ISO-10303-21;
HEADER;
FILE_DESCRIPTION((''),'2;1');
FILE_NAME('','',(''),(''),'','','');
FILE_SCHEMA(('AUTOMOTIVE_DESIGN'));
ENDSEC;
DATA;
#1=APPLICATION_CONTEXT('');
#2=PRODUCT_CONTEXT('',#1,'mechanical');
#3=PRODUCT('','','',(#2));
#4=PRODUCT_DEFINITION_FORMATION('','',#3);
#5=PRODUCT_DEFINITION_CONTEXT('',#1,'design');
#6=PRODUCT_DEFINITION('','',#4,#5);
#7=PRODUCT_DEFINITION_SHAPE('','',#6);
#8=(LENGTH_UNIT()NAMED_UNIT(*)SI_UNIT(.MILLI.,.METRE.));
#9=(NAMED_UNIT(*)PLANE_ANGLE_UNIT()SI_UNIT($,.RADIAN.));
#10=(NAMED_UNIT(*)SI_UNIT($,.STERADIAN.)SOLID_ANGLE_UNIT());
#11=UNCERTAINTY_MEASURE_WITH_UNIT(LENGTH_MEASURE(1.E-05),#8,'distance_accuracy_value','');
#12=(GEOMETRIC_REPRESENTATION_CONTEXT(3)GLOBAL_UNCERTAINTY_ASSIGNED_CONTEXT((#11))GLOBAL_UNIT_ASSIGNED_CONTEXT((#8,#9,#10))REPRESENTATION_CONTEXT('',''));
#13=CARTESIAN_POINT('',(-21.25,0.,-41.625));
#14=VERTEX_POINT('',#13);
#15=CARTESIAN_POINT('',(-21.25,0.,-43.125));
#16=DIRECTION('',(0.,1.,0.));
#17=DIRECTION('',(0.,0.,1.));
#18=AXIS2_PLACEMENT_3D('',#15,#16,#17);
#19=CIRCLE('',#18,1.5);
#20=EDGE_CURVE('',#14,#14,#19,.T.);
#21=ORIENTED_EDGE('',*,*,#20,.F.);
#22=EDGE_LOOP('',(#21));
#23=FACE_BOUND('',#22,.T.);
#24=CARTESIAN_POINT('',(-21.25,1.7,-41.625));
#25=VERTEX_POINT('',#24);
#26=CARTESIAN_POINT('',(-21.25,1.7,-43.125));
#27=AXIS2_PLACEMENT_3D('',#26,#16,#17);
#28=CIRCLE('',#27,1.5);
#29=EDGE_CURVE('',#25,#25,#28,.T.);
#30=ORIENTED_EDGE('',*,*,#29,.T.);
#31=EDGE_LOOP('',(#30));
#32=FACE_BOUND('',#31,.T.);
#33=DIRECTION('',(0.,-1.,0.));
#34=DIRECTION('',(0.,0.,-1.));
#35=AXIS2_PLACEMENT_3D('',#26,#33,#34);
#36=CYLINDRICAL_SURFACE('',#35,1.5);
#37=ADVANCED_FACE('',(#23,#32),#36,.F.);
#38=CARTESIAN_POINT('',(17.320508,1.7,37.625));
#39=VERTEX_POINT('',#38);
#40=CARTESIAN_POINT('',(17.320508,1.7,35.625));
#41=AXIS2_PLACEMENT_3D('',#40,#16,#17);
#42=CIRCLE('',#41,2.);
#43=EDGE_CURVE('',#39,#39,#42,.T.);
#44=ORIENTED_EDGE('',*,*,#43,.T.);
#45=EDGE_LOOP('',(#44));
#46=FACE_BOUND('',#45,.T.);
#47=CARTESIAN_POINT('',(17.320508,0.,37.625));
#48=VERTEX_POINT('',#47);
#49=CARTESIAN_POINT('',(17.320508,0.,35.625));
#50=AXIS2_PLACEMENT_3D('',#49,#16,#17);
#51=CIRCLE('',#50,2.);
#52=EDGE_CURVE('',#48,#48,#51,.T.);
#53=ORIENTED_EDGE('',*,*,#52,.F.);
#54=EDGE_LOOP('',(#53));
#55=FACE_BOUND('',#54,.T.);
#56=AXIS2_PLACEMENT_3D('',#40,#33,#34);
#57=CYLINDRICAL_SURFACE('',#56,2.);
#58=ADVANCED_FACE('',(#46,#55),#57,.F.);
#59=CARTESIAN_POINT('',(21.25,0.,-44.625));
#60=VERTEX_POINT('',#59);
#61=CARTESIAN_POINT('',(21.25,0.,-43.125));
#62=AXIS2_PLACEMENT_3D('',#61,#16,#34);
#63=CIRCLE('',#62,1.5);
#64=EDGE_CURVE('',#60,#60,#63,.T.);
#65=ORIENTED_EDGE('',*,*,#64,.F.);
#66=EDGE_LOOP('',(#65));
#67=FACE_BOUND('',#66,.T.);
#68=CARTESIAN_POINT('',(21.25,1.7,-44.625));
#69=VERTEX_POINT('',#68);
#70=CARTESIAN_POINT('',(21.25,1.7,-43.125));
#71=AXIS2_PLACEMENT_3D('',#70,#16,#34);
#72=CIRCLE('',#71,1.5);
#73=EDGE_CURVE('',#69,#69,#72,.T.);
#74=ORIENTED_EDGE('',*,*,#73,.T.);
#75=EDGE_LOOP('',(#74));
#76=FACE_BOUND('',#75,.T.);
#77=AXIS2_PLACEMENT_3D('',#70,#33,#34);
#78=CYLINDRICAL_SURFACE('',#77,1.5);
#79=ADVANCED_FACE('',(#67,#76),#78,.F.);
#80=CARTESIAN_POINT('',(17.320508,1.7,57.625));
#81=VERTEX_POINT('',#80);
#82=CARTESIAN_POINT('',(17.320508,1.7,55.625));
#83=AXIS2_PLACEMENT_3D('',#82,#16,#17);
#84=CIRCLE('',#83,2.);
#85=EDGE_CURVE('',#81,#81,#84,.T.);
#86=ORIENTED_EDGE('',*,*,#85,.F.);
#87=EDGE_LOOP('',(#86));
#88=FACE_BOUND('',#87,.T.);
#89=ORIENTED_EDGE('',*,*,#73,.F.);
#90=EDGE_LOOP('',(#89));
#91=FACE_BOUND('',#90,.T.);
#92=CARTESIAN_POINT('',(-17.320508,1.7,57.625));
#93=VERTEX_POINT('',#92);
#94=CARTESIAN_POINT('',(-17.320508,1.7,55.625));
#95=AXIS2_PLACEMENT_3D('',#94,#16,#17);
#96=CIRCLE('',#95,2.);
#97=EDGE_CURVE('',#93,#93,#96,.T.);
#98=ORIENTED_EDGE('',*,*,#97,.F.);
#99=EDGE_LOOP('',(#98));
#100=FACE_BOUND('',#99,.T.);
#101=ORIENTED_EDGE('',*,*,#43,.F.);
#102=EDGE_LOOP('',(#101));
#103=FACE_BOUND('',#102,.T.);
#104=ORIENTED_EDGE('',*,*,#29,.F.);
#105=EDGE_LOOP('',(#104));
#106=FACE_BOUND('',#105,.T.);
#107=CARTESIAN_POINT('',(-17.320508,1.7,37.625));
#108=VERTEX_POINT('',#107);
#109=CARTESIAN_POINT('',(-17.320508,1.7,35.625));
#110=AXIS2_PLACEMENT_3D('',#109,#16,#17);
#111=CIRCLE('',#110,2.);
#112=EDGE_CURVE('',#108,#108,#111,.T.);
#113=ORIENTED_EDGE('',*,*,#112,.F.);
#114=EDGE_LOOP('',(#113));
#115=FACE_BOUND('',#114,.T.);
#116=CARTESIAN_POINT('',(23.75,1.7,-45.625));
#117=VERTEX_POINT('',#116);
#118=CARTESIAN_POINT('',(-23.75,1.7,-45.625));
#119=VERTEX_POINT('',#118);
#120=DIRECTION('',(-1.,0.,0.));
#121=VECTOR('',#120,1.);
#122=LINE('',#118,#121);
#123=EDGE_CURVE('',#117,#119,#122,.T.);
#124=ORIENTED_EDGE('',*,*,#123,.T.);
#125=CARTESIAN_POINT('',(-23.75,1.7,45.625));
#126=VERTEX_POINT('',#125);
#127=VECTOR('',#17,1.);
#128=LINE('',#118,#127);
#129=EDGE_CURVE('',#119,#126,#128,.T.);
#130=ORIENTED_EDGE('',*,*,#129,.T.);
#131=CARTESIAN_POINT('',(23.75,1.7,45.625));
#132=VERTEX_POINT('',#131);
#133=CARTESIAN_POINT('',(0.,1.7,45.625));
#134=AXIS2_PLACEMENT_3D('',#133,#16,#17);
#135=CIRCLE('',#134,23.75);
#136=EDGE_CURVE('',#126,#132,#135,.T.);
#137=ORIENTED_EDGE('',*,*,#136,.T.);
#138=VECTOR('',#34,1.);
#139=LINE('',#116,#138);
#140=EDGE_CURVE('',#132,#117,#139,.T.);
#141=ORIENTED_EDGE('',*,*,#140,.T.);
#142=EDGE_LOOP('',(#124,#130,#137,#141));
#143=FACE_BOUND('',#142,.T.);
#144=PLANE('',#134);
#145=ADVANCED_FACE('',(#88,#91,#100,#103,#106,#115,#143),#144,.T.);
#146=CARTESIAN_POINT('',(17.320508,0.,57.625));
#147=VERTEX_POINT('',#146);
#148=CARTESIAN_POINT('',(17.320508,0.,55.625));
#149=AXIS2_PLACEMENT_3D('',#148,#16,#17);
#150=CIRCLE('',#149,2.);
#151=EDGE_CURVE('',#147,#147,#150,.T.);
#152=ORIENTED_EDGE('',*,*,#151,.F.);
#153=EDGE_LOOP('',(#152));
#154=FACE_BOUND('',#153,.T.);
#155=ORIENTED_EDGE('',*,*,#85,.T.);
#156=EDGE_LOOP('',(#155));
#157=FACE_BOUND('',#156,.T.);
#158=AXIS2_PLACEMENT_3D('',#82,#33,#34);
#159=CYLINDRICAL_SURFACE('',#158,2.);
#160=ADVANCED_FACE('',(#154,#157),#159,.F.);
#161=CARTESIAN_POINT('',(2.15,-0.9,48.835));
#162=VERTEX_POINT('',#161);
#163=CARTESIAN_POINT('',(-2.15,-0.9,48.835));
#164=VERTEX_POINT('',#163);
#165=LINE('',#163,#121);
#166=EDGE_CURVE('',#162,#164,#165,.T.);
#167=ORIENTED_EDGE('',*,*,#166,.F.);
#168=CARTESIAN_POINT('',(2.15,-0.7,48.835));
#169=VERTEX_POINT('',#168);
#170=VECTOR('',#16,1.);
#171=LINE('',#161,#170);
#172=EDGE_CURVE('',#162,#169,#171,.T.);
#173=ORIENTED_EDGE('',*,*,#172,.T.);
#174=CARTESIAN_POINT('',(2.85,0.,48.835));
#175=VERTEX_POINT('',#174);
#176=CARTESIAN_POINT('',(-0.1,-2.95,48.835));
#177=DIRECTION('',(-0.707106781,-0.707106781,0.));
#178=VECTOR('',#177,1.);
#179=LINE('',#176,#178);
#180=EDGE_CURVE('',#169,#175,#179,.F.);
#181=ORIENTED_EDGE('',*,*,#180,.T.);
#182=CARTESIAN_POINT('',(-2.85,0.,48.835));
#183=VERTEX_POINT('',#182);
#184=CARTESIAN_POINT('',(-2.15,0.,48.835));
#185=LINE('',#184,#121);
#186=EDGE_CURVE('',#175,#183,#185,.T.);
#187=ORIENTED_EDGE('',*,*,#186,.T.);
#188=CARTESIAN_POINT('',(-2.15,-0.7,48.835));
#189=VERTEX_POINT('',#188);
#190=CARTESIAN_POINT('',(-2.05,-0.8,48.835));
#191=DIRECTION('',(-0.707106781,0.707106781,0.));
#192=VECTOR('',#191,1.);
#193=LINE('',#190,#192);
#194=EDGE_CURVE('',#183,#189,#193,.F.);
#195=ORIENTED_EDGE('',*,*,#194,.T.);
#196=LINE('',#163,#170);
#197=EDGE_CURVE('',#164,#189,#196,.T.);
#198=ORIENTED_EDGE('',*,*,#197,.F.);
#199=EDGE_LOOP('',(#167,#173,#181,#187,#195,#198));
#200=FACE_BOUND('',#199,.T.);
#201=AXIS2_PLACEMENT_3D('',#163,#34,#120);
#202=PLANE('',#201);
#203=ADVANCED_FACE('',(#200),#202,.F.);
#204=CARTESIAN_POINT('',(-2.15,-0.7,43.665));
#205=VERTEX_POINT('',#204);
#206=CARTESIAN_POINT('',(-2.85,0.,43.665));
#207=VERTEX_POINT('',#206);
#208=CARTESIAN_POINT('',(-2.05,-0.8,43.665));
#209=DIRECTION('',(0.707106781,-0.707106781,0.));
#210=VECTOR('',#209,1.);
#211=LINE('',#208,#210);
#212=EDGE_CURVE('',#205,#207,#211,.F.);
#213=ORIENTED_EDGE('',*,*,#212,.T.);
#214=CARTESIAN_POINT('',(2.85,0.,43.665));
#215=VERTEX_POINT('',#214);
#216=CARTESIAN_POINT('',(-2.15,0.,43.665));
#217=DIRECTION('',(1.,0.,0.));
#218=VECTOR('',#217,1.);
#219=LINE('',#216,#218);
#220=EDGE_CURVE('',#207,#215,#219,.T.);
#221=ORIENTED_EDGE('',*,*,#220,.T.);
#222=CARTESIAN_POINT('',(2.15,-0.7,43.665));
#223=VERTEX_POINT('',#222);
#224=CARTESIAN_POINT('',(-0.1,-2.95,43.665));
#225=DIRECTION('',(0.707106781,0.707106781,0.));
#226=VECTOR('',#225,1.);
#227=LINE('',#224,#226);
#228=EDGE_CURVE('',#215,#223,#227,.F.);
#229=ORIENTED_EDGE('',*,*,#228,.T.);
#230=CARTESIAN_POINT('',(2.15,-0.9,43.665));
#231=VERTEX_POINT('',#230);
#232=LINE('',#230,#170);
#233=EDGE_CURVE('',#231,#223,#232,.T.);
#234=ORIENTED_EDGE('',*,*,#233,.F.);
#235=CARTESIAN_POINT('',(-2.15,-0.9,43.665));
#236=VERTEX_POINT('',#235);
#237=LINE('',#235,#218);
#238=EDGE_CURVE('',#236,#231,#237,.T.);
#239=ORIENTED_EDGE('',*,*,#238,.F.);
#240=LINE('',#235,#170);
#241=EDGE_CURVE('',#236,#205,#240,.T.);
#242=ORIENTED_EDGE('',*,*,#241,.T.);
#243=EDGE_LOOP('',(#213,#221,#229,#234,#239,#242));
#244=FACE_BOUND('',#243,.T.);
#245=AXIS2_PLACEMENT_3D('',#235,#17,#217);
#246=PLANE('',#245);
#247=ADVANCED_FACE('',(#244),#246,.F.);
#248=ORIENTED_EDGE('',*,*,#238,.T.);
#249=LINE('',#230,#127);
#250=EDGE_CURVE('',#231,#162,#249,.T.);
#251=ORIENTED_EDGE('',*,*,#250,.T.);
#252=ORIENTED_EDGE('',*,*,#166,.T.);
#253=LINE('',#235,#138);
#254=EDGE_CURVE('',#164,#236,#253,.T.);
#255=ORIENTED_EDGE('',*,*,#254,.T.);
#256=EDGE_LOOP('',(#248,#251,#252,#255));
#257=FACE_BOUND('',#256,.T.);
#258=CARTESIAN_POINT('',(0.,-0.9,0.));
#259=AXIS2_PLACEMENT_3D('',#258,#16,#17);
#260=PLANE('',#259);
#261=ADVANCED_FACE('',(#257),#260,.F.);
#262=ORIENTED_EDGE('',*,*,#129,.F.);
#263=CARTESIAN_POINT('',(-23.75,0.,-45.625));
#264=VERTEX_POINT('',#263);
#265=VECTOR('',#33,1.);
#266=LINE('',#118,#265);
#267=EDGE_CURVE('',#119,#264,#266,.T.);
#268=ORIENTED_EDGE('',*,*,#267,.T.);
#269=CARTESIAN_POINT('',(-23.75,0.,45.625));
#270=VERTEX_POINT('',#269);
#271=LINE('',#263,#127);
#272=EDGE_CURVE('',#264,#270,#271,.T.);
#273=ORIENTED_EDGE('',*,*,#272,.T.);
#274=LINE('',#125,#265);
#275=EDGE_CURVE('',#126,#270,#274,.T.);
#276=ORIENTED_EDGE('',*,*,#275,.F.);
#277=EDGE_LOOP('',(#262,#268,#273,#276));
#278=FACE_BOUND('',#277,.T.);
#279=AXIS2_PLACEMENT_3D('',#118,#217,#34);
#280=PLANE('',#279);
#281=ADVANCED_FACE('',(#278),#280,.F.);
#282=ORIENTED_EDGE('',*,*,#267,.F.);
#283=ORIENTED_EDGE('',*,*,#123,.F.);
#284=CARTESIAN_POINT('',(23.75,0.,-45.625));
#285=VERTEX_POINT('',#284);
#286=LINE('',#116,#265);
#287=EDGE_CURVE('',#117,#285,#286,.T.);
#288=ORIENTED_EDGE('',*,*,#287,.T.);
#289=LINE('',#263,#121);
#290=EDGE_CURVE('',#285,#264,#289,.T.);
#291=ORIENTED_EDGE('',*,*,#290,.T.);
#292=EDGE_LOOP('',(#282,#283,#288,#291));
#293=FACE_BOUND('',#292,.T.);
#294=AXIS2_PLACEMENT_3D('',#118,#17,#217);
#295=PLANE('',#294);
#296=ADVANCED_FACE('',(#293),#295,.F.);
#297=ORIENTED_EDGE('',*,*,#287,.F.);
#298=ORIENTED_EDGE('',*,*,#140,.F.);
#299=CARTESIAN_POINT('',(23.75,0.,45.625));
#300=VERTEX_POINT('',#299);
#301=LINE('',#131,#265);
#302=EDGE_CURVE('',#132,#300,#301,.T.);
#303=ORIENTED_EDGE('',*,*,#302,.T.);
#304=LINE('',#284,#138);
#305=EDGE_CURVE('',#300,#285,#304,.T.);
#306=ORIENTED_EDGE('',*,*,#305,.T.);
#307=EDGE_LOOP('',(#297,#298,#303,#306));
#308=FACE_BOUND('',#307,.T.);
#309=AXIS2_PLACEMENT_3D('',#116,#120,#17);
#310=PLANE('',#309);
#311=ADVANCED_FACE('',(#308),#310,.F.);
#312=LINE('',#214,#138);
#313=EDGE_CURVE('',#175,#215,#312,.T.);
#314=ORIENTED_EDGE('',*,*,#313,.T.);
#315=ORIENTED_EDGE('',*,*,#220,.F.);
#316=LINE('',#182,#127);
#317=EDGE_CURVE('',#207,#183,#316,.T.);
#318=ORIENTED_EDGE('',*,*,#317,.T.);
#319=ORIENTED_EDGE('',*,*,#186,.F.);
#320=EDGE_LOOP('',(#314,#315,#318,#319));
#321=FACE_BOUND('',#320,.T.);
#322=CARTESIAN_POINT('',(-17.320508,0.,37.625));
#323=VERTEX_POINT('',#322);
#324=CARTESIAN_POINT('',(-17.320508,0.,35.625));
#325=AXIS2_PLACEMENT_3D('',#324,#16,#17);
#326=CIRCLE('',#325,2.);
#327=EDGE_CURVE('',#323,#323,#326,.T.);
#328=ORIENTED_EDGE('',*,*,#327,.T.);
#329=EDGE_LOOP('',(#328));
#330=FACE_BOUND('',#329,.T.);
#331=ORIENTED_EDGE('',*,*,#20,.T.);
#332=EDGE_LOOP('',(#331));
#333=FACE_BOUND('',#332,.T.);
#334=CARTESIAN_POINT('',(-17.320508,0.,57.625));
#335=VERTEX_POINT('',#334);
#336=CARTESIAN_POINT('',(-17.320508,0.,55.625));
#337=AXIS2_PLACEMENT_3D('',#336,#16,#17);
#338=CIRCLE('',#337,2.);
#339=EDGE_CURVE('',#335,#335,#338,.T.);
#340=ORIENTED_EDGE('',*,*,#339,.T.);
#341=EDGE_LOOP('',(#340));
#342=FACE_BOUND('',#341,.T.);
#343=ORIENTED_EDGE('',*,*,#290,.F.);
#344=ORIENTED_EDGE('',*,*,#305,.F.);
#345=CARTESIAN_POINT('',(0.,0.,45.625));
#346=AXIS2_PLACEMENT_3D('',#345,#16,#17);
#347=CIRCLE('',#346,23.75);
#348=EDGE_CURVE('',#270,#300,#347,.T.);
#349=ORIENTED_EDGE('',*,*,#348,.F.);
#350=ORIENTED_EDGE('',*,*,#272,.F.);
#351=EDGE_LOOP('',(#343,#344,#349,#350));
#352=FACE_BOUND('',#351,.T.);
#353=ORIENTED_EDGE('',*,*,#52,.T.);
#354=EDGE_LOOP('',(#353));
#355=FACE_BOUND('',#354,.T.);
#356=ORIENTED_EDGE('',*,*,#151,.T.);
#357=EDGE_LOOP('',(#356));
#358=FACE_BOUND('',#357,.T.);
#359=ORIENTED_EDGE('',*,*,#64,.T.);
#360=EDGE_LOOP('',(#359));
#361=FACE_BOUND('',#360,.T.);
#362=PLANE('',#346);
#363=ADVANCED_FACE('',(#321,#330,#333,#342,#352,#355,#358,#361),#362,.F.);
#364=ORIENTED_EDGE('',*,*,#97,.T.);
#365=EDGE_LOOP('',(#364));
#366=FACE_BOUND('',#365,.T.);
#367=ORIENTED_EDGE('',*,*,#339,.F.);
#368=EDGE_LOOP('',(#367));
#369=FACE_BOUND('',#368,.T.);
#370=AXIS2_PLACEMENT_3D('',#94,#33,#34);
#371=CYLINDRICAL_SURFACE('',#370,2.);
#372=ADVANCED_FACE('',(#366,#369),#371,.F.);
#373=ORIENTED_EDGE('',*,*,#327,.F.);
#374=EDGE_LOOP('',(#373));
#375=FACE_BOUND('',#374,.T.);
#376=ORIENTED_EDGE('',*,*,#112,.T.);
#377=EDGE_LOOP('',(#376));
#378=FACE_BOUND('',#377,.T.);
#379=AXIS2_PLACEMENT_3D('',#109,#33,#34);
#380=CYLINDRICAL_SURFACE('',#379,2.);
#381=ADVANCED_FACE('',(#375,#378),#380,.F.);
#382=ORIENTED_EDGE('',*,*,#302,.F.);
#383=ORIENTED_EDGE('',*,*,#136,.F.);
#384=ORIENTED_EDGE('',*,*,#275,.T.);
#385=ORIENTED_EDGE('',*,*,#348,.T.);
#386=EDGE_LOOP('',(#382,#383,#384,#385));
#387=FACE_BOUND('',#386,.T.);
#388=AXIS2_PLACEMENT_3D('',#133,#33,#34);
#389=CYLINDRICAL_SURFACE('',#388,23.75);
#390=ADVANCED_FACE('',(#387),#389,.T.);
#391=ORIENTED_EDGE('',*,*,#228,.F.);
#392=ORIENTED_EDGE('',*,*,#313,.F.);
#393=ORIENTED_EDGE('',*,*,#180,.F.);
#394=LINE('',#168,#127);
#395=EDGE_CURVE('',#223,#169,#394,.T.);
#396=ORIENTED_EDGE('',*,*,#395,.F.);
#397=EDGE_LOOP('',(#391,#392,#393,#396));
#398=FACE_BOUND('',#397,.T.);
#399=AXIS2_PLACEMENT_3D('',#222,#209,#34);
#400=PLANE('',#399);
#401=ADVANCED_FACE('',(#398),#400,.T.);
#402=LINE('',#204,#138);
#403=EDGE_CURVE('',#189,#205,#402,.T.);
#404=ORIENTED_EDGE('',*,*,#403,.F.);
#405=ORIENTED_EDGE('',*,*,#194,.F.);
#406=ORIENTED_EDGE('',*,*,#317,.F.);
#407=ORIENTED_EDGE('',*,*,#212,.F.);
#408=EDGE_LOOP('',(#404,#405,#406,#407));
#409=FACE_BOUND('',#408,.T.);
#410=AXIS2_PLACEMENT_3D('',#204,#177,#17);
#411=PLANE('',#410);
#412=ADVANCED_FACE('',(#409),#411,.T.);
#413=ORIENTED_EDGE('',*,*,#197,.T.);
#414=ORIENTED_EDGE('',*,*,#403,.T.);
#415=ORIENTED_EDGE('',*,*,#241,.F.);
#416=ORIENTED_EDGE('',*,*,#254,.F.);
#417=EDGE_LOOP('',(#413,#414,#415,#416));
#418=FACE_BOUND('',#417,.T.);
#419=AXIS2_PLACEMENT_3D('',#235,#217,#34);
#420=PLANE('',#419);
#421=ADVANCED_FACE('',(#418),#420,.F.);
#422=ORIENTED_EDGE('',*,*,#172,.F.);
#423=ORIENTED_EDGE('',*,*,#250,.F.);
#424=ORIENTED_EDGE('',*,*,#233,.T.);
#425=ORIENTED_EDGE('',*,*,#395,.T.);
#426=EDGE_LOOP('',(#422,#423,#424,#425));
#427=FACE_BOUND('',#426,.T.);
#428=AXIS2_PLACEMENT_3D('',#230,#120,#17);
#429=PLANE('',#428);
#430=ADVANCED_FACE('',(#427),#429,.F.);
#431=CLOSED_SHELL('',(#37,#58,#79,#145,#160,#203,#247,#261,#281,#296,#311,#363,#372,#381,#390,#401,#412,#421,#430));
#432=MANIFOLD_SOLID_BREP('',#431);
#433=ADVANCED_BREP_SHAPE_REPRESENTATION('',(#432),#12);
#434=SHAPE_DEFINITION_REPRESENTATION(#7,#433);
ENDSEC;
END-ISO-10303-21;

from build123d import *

# Parameters (mm, degrees)
ESBO_O1_R                = 1.5
ESBO_O1_R_2              = 2
RESSALTO_EXTRUS_O1_DEPTH = 1.7
ESBO_O2_W                = 4.3
ESBO_O2_H                = 5.17
RESSALTO_EXTRUS_O2_DEPTH = 0.9
CHANFRO1_SIZE            = 0.7


with BuildPart() as part:
    # Esboço1 → Ressalto-extrusão1 (new body)
    with BuildSketch(Plane(origin=(0, 0, 0), x_dir=(1, 0, 0), z_dir=(0, 1, 0))):
        with BuildLine():
            Line((-23.75, 45.625), (23.75, 45.625))
            Line((23.75, 45.625), (23.75, -45.625))
            ThreePointArc((23.75, -45.625), (0, -69.375), (-23.75, -45.625))
            Line((-23.75, -45.625), (-23.75, 45.625))
        make_face()
        with Locations(Location((-21.25, 43.125, 0), (0, 0, 270))):
            Circle(ESBO_O1_R, mode=Mode.SUBTRACT)
        with Locations(Location((21.25, 43.125, 0), (0, 0, 90))):
            Circle(ESBO_O1_R, mode=Mode.SUBTRACT)
        with Locations(Location((17.320508076, -35.625, 0), (0, 0, 270))):
            Circle(ESBO_O1_R_2, mode=Mode.SUBTRACT)
        with Locations(Location((17.320508076, -55.625, 0), (0, 0, 270))):
            Circle(ESBO_O1_R_2, mode=Mode.SUBTRACT)
        with Locations(Location((-17.320508076, -55.625, 0), (0, 0, 270))):
            Circle(ESBO_O1_R_2, mode=Mode.SUBTRACT)
        with Locations(Location((-17.320508076, -35.625, 0), (0, 0, 270))):
            Circle(ESBO_O1_R_2, mode=Mode.SUBTRACT)
    extrude(amount=RESSALTO_EXTRUS_O1_DEPTH)

    # Esboço2 → Ressalto-extrusão2 (add)
    with BuildSketch(Plane.XZ):
        with Locations((0, 46.25)):
            Rectangle(ESBO_O2_W, ESBO_O2_H)
    extrude(amount=RESSALTO_EXTRUS_O2_DEPTH)

    # Chanfro1
    chanfro1_edges = [part.edges().sort_by_distance(p)[0] for p in [
        (2.15, 0, 46.25),
        (-2.15, 0, 46.25),
    ]]
    chamfer(chanfro1_edges, length=CHANFRO1_SIZE)


solid = part.part
